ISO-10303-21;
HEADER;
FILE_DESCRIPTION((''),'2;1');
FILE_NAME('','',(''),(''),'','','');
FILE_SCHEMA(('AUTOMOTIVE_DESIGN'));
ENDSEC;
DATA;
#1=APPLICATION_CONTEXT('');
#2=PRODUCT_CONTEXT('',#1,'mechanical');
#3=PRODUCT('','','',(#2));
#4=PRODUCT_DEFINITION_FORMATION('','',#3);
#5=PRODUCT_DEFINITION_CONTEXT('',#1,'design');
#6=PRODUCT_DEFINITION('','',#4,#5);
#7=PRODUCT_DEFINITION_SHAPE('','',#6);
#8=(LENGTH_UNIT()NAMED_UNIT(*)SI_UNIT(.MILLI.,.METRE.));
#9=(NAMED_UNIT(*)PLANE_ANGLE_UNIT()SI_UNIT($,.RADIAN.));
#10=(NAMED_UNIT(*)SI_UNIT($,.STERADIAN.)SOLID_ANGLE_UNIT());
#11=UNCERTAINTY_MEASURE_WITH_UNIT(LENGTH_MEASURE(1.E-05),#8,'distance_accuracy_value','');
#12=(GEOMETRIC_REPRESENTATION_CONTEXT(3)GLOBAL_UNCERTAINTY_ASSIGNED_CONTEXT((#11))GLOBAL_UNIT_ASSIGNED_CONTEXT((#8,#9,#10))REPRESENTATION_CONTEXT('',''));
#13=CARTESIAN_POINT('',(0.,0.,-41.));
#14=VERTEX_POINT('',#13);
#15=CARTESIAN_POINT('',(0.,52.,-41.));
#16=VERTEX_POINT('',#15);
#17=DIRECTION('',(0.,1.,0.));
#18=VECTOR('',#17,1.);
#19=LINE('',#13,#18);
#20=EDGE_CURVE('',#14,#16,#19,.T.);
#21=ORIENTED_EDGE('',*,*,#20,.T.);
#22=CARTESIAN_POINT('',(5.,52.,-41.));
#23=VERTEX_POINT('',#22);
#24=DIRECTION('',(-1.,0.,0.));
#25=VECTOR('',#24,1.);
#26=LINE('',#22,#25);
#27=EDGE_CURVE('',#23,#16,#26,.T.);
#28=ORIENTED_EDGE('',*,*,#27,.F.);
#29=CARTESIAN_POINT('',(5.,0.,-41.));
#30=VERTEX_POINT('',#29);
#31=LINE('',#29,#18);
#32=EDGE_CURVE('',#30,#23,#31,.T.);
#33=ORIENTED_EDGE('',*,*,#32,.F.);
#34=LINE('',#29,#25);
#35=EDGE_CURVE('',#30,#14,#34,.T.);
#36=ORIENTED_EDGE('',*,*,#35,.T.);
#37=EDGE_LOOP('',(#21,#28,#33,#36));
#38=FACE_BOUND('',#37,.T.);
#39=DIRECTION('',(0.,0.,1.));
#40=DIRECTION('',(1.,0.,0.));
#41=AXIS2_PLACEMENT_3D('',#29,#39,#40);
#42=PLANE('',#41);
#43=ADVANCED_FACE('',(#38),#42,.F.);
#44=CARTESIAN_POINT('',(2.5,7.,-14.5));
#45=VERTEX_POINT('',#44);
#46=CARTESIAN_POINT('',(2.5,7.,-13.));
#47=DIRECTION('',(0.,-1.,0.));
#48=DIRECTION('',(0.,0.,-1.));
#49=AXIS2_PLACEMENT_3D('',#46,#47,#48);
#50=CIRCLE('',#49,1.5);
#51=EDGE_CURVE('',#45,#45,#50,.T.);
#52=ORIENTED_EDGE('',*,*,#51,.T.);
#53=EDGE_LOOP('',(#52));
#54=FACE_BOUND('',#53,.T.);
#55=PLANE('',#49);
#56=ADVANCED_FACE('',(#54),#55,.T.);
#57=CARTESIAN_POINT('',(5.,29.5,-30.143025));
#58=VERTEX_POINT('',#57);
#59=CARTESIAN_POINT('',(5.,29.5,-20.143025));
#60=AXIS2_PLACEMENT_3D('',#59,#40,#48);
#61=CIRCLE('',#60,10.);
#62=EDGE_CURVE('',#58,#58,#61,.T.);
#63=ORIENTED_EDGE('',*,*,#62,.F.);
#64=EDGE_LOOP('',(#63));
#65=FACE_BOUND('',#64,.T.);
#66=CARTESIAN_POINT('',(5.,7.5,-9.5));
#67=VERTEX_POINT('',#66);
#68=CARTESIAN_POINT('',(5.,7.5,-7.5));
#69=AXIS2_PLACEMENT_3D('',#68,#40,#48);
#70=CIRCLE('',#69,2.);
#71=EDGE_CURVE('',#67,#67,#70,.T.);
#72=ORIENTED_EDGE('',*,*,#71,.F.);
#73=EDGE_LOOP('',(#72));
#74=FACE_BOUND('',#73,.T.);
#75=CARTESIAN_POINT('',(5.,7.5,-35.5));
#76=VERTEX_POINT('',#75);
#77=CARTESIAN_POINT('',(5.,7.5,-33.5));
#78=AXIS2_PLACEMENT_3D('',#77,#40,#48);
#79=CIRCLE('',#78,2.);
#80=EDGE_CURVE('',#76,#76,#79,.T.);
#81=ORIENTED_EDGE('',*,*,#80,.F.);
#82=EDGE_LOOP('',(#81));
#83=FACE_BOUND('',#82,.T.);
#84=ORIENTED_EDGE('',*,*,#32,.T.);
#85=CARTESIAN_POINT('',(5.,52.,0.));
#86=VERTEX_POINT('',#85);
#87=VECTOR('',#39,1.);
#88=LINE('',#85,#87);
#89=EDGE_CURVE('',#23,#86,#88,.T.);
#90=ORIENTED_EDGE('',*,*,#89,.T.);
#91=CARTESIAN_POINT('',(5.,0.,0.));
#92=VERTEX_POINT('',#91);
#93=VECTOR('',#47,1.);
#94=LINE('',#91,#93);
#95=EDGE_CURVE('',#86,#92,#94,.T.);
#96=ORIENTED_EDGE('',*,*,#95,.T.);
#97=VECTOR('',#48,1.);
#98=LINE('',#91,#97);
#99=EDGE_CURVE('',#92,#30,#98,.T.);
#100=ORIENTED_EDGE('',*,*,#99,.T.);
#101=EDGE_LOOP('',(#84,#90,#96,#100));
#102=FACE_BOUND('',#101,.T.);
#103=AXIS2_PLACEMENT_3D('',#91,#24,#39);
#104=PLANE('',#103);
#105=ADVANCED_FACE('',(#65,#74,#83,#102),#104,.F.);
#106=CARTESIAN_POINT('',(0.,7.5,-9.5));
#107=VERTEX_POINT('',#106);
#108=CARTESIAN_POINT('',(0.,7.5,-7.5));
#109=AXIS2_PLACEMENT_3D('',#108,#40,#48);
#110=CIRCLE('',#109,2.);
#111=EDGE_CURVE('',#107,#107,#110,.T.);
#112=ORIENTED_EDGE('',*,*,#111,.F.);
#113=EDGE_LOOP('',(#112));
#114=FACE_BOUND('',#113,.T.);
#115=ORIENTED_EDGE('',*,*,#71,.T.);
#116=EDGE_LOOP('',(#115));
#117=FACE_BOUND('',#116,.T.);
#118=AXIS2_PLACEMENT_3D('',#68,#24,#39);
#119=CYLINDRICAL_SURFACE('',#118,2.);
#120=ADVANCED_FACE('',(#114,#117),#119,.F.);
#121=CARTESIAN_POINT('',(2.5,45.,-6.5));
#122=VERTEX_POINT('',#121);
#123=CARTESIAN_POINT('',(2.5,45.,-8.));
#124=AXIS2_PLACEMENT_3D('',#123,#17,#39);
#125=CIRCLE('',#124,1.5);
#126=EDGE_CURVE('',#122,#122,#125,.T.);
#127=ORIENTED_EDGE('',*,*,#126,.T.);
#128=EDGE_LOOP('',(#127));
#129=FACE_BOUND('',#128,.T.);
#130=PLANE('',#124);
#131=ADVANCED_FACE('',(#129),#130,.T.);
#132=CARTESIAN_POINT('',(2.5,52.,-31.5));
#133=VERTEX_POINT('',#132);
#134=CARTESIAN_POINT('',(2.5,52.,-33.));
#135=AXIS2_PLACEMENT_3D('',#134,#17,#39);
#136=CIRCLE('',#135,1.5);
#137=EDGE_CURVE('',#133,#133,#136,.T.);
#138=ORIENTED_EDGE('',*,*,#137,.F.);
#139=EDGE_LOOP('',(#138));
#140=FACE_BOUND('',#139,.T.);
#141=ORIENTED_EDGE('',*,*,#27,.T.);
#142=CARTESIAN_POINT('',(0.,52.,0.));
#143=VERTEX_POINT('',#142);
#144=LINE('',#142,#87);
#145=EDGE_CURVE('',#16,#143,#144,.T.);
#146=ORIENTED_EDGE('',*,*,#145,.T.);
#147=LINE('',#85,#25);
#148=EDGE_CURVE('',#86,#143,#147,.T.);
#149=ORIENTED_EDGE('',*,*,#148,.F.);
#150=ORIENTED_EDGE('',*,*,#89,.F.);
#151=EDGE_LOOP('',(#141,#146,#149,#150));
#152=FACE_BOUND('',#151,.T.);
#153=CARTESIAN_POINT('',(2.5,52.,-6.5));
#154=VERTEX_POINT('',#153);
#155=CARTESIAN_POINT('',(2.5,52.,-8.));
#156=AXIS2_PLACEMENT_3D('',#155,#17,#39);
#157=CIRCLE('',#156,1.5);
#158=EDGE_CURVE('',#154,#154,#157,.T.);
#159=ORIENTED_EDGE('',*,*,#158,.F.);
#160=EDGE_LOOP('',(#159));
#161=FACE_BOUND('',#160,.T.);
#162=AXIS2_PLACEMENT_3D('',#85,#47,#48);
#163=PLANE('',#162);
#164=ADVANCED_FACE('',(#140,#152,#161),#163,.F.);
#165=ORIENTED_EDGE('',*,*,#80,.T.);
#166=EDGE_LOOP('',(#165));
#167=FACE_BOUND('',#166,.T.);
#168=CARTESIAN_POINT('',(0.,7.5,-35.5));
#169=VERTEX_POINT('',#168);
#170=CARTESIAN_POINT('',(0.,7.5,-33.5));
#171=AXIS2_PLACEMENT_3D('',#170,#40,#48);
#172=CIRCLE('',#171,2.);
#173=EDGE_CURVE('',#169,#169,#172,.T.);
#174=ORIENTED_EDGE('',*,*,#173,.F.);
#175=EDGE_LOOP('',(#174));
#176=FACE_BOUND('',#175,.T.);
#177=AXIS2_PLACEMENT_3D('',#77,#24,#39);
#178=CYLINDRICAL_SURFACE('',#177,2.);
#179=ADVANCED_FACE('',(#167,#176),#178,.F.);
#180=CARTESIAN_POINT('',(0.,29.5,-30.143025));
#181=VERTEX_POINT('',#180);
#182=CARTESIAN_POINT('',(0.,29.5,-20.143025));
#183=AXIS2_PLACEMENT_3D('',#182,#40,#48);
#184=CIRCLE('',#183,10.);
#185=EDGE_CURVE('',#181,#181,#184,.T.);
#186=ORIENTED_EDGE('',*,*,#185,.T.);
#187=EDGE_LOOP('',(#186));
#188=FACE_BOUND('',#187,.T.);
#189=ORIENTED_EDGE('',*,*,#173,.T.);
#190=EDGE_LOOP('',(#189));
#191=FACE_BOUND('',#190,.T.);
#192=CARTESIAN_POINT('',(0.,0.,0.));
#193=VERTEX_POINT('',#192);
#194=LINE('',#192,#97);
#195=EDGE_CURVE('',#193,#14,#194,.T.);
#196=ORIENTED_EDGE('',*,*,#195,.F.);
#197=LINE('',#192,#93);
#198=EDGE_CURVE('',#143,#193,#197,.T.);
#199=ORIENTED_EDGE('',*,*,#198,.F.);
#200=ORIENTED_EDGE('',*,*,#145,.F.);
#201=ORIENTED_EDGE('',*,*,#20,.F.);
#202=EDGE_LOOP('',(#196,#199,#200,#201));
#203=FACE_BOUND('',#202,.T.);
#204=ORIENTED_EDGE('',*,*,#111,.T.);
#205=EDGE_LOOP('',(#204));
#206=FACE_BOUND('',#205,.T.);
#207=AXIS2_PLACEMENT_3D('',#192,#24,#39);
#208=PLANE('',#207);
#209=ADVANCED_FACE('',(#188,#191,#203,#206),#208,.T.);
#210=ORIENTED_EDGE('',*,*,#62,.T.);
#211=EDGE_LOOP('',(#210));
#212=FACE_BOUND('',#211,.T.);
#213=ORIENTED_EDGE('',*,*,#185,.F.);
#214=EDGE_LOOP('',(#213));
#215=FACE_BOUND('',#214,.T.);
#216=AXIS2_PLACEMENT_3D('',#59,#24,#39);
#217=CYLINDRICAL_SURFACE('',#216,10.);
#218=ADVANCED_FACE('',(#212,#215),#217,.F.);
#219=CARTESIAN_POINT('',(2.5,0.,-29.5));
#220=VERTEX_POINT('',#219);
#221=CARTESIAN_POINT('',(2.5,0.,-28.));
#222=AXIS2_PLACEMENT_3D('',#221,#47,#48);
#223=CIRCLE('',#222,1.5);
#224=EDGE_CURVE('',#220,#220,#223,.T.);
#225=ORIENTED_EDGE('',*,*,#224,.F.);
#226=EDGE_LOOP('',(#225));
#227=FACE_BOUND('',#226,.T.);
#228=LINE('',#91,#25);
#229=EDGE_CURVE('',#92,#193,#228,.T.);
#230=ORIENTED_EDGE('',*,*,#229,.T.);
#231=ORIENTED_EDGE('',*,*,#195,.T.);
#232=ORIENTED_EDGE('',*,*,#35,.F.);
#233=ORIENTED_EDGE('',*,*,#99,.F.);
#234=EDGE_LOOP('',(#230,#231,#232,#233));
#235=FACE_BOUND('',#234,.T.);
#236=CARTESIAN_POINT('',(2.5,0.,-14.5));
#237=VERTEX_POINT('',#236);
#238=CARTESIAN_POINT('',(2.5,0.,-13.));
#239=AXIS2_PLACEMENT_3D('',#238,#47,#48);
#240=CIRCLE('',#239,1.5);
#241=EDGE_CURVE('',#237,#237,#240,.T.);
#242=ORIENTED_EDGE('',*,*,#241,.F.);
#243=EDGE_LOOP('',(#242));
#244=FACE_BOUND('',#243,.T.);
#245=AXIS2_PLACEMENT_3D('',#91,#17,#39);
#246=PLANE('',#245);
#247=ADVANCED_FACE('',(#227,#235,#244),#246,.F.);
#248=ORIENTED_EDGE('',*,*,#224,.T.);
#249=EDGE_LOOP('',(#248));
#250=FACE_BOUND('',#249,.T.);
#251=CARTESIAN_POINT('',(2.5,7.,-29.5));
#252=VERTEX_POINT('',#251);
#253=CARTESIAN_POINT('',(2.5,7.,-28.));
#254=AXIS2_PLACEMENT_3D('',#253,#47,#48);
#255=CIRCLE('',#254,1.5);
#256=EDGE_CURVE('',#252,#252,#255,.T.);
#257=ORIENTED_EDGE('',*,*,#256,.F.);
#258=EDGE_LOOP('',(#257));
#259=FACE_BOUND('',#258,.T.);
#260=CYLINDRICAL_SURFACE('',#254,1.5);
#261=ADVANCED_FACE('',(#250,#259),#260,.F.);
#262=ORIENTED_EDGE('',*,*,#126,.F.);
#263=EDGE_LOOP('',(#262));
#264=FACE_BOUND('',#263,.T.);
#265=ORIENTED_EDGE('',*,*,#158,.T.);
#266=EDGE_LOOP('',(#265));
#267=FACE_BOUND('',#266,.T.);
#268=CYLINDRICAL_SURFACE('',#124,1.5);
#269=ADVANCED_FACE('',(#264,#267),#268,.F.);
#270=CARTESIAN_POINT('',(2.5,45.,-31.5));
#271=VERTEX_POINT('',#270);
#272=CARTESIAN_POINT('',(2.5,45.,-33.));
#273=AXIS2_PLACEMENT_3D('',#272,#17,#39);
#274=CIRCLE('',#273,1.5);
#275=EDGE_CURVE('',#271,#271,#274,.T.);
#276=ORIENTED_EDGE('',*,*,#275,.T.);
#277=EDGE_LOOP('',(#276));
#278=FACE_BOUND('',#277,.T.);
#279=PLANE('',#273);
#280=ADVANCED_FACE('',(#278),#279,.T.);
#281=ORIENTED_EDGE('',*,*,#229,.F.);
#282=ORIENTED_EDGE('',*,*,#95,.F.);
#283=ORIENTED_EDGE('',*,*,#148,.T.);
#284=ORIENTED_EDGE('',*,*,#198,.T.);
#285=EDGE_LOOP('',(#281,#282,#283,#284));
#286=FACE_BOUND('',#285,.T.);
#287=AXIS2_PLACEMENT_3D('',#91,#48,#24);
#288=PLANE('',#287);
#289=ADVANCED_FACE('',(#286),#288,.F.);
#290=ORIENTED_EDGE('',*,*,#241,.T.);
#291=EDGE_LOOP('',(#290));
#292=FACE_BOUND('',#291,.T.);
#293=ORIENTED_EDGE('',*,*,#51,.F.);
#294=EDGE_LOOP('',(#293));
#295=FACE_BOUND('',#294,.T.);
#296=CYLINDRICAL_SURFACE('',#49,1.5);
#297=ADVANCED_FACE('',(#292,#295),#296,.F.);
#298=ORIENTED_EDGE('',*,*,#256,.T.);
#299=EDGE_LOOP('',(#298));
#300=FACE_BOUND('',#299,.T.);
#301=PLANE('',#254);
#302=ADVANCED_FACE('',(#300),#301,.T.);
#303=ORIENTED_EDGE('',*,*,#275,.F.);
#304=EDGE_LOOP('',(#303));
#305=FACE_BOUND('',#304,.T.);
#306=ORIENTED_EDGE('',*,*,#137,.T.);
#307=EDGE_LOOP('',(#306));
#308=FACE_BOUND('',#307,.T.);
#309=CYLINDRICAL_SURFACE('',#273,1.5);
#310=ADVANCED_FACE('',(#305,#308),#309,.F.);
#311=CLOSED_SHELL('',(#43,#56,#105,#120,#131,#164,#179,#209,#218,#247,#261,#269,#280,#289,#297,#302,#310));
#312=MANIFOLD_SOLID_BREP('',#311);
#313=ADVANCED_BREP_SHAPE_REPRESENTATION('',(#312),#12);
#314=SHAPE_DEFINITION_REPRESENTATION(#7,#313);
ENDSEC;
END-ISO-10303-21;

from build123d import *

# Parameters (mm, degrees)
SKETCH1_W           = 41
SKETCH1_H           = 52
SKETCH1_R           = 2
SKETCH1_R_2         = 10
BOSS_EXTRUDE1_DEPTH = 5
SKETCH2_R           = 1.5
CUT_EXTRUDE1_DEPTH  = 7
SKETCH3_R           = 1.5
CUT_EXTRUDE2_DEPTH  = 7


with BuildPart() as part:
    # Sketch1 → Boss-Extrude1 (new body)
    with BuildSketch(Plane(origin=(0, 0, 0), x_dir=(0, 0, -1), z_dir=(1, 0, 0))):
        with Locations((20.5, 26)):
            Rectangle(SKETCH1_W, SKETCH1_H)
        with Locations((7.5, 7.5)):
            Circle(SKETCH1_R, mode=Mode.SUBTRACT)
        with Locations((33.5, 7.5)):
            Circle(SKETCH1_R, mode=Mode.SUBTRACT)
        with Locations((20.143024766, 29.5)):
            Circle(SKETCH1_R_2, mode=Mode.SUBTRACT)
    extrude(amount=BOSS_EXTRUDE1_DEPTH)

    # Sketch2 → Cut-Extrude1 (cut)
    with BuildSketch(Plane(origin=(0, 0, 0), x_dir=(-1, 0, 0), z_dir=(0, -1, 0))):
        with Locations(Location((-2.5, 13, 0), (0, 0, 90))):
            Circle(SKETCH2_R)
        with Locations(Location((-2.5, 28, 0), (0, 0, 90))):
            Circle(SKETCH2_R)
    extrude(amount=-CUT_EXTRUDE1_DEPTH, mode=Mode.SUBTRACT)

    # Sketch3 → Cut-Extrude2 (cut)
    with BuildSketch(Plane(origin=(0, 52, 0), x_dir=(1, 0, 0), z_dir=(0, 1, 0))):
        with Locations(Location((2.5, 8, 0), (0, 0, 270))):
            Circle(SKETCH3_R)
        with Locations(Location((2.5, 33, 0), (0, 0, 270))):
            Circle(SKETCH3_R)
    extrude(amount=-CUT_EXTRUDE2_DEPTH, mode=Mode.SUBTRACT)


solid = part.part
